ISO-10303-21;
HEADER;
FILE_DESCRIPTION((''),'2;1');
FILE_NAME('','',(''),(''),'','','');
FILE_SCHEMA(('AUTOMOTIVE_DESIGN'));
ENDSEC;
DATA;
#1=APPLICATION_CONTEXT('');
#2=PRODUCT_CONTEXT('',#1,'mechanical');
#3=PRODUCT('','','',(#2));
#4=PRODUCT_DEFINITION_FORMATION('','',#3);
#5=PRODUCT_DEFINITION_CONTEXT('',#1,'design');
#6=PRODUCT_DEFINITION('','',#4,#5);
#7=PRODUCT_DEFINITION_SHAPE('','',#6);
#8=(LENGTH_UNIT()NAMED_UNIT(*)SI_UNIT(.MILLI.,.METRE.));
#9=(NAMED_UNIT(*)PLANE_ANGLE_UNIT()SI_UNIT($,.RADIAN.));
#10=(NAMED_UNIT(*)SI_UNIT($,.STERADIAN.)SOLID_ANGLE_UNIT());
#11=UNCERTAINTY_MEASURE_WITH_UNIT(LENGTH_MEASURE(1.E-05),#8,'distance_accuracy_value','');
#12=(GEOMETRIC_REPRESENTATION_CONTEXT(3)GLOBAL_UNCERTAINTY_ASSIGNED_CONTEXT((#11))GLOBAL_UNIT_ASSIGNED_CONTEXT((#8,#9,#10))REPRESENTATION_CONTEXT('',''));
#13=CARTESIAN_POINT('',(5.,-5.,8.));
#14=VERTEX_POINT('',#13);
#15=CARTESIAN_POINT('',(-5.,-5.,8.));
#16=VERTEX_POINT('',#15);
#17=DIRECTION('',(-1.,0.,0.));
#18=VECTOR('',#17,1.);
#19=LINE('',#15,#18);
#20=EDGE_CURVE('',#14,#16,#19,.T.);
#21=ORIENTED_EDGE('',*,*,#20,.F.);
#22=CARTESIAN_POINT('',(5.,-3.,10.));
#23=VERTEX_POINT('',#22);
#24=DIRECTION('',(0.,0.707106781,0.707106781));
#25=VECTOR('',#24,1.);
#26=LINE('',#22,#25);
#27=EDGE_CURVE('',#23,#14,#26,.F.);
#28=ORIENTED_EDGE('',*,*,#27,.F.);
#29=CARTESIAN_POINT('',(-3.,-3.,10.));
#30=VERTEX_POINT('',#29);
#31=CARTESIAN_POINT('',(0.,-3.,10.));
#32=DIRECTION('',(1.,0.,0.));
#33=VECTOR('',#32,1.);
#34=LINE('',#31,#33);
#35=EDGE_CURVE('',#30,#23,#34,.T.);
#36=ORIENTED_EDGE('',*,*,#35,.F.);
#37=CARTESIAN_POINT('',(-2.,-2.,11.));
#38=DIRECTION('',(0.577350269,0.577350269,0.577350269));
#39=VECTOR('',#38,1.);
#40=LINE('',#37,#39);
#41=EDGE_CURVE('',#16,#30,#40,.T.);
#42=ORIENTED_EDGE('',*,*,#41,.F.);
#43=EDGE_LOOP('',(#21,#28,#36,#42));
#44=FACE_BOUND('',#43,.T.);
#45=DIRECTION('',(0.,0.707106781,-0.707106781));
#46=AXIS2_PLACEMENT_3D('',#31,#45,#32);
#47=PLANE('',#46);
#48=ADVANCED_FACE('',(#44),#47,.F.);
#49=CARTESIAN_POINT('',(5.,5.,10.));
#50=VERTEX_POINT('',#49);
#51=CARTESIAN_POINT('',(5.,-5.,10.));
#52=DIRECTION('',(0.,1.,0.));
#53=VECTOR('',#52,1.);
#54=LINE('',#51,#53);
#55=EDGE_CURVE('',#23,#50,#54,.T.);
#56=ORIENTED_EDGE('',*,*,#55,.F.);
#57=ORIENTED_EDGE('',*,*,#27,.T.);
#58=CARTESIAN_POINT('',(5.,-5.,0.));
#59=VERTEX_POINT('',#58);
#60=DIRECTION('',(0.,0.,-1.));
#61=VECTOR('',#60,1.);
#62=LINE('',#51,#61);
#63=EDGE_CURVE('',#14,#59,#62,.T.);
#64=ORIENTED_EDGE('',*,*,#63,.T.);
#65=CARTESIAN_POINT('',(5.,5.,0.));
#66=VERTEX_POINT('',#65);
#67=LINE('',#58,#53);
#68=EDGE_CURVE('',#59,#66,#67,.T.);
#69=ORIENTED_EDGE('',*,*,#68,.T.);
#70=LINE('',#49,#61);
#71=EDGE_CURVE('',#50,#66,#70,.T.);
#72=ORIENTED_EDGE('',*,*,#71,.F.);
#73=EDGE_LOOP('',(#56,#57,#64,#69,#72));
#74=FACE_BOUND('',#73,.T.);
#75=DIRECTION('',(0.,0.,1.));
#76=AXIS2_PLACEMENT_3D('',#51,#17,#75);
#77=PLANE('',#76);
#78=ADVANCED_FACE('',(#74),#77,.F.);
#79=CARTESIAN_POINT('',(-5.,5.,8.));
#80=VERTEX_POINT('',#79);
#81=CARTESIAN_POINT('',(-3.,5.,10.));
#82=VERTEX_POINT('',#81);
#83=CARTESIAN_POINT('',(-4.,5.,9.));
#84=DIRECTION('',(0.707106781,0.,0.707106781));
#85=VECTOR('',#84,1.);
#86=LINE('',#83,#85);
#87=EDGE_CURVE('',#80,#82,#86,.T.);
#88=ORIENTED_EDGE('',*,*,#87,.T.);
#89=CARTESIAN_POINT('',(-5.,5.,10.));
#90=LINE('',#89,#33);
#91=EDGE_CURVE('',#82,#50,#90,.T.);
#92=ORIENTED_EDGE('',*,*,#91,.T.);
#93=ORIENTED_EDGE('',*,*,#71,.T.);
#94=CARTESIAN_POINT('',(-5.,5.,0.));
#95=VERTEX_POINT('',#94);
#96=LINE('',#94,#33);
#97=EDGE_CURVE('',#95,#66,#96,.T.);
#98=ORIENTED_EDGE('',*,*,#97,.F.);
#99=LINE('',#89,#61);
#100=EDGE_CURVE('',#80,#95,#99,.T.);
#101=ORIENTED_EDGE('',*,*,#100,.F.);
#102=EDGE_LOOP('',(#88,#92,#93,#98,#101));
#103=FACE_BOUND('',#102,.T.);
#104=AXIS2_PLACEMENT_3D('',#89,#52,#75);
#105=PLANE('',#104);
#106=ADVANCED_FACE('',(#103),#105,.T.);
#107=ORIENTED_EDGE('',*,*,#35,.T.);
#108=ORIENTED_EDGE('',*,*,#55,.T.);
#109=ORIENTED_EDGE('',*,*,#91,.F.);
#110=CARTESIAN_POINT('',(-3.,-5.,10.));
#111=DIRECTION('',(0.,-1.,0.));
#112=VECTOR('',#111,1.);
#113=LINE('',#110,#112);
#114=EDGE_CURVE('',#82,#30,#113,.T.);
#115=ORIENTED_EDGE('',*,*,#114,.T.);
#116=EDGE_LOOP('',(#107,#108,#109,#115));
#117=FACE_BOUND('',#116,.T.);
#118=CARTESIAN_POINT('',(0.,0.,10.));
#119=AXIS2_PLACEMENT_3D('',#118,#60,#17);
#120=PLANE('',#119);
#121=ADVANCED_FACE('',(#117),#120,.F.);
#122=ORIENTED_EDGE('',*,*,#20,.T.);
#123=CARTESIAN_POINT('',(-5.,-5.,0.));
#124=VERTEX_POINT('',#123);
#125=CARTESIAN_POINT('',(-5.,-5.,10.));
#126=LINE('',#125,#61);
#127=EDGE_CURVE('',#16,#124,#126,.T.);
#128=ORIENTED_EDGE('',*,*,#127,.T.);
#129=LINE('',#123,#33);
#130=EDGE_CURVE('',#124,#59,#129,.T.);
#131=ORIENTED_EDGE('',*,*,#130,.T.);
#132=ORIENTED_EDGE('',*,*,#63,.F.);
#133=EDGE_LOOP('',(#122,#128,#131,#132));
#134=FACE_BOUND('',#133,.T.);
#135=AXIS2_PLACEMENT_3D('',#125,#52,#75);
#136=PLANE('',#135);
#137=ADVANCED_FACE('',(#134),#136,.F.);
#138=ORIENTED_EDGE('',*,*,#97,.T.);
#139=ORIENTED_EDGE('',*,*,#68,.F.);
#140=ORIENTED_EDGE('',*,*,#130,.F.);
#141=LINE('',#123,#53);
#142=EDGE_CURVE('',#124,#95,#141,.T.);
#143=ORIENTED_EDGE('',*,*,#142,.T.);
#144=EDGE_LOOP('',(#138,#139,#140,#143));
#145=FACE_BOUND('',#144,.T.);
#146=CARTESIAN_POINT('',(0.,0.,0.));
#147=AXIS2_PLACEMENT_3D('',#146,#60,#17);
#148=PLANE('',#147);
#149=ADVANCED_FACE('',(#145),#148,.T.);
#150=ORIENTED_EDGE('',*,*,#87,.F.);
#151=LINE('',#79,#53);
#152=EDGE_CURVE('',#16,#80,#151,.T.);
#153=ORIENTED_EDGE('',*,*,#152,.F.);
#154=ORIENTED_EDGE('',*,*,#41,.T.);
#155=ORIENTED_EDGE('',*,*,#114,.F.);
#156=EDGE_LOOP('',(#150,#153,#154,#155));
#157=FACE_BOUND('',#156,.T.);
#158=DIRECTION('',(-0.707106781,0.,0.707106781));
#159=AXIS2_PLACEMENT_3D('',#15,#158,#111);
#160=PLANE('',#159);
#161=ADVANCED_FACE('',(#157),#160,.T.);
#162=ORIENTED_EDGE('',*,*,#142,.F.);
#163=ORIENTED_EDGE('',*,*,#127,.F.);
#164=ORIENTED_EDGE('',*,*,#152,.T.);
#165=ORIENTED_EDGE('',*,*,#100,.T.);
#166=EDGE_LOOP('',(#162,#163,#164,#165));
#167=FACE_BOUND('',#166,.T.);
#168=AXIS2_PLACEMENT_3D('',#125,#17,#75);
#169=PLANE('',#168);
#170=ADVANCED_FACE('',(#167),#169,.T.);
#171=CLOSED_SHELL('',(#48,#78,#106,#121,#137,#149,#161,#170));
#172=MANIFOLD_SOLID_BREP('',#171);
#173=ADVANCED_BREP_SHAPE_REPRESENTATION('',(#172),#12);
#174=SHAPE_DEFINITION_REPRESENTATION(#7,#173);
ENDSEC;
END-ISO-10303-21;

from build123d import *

# Parameters (mm, degrees)
SKETCH1_W           = 10
SKETCH1_H           = 10
BOSS_EXTRUDE1_DEPTH = 10
CHAMFER1_SIZE       = 2


with BuildPart() as part:
    # Sketch1 → Boss-Extrude1 (new body)
    with BuildSketch(Plane.XY):
        Rectangle(SKETCH1_W, SKETCH1_H)
    extrude(amount=BOSS_EXTRUDE1_DEPTH)

    # Chamfer1
    chamfer1_edges = [part.edges().sort_by_distance(p)[0] for p in [
        (0, -5, 10),
        (-5, 0, 10),
    ]]
    chamfer(chamfer1_edges, length=CHAMFER1_SIZE)


solid = part.part
